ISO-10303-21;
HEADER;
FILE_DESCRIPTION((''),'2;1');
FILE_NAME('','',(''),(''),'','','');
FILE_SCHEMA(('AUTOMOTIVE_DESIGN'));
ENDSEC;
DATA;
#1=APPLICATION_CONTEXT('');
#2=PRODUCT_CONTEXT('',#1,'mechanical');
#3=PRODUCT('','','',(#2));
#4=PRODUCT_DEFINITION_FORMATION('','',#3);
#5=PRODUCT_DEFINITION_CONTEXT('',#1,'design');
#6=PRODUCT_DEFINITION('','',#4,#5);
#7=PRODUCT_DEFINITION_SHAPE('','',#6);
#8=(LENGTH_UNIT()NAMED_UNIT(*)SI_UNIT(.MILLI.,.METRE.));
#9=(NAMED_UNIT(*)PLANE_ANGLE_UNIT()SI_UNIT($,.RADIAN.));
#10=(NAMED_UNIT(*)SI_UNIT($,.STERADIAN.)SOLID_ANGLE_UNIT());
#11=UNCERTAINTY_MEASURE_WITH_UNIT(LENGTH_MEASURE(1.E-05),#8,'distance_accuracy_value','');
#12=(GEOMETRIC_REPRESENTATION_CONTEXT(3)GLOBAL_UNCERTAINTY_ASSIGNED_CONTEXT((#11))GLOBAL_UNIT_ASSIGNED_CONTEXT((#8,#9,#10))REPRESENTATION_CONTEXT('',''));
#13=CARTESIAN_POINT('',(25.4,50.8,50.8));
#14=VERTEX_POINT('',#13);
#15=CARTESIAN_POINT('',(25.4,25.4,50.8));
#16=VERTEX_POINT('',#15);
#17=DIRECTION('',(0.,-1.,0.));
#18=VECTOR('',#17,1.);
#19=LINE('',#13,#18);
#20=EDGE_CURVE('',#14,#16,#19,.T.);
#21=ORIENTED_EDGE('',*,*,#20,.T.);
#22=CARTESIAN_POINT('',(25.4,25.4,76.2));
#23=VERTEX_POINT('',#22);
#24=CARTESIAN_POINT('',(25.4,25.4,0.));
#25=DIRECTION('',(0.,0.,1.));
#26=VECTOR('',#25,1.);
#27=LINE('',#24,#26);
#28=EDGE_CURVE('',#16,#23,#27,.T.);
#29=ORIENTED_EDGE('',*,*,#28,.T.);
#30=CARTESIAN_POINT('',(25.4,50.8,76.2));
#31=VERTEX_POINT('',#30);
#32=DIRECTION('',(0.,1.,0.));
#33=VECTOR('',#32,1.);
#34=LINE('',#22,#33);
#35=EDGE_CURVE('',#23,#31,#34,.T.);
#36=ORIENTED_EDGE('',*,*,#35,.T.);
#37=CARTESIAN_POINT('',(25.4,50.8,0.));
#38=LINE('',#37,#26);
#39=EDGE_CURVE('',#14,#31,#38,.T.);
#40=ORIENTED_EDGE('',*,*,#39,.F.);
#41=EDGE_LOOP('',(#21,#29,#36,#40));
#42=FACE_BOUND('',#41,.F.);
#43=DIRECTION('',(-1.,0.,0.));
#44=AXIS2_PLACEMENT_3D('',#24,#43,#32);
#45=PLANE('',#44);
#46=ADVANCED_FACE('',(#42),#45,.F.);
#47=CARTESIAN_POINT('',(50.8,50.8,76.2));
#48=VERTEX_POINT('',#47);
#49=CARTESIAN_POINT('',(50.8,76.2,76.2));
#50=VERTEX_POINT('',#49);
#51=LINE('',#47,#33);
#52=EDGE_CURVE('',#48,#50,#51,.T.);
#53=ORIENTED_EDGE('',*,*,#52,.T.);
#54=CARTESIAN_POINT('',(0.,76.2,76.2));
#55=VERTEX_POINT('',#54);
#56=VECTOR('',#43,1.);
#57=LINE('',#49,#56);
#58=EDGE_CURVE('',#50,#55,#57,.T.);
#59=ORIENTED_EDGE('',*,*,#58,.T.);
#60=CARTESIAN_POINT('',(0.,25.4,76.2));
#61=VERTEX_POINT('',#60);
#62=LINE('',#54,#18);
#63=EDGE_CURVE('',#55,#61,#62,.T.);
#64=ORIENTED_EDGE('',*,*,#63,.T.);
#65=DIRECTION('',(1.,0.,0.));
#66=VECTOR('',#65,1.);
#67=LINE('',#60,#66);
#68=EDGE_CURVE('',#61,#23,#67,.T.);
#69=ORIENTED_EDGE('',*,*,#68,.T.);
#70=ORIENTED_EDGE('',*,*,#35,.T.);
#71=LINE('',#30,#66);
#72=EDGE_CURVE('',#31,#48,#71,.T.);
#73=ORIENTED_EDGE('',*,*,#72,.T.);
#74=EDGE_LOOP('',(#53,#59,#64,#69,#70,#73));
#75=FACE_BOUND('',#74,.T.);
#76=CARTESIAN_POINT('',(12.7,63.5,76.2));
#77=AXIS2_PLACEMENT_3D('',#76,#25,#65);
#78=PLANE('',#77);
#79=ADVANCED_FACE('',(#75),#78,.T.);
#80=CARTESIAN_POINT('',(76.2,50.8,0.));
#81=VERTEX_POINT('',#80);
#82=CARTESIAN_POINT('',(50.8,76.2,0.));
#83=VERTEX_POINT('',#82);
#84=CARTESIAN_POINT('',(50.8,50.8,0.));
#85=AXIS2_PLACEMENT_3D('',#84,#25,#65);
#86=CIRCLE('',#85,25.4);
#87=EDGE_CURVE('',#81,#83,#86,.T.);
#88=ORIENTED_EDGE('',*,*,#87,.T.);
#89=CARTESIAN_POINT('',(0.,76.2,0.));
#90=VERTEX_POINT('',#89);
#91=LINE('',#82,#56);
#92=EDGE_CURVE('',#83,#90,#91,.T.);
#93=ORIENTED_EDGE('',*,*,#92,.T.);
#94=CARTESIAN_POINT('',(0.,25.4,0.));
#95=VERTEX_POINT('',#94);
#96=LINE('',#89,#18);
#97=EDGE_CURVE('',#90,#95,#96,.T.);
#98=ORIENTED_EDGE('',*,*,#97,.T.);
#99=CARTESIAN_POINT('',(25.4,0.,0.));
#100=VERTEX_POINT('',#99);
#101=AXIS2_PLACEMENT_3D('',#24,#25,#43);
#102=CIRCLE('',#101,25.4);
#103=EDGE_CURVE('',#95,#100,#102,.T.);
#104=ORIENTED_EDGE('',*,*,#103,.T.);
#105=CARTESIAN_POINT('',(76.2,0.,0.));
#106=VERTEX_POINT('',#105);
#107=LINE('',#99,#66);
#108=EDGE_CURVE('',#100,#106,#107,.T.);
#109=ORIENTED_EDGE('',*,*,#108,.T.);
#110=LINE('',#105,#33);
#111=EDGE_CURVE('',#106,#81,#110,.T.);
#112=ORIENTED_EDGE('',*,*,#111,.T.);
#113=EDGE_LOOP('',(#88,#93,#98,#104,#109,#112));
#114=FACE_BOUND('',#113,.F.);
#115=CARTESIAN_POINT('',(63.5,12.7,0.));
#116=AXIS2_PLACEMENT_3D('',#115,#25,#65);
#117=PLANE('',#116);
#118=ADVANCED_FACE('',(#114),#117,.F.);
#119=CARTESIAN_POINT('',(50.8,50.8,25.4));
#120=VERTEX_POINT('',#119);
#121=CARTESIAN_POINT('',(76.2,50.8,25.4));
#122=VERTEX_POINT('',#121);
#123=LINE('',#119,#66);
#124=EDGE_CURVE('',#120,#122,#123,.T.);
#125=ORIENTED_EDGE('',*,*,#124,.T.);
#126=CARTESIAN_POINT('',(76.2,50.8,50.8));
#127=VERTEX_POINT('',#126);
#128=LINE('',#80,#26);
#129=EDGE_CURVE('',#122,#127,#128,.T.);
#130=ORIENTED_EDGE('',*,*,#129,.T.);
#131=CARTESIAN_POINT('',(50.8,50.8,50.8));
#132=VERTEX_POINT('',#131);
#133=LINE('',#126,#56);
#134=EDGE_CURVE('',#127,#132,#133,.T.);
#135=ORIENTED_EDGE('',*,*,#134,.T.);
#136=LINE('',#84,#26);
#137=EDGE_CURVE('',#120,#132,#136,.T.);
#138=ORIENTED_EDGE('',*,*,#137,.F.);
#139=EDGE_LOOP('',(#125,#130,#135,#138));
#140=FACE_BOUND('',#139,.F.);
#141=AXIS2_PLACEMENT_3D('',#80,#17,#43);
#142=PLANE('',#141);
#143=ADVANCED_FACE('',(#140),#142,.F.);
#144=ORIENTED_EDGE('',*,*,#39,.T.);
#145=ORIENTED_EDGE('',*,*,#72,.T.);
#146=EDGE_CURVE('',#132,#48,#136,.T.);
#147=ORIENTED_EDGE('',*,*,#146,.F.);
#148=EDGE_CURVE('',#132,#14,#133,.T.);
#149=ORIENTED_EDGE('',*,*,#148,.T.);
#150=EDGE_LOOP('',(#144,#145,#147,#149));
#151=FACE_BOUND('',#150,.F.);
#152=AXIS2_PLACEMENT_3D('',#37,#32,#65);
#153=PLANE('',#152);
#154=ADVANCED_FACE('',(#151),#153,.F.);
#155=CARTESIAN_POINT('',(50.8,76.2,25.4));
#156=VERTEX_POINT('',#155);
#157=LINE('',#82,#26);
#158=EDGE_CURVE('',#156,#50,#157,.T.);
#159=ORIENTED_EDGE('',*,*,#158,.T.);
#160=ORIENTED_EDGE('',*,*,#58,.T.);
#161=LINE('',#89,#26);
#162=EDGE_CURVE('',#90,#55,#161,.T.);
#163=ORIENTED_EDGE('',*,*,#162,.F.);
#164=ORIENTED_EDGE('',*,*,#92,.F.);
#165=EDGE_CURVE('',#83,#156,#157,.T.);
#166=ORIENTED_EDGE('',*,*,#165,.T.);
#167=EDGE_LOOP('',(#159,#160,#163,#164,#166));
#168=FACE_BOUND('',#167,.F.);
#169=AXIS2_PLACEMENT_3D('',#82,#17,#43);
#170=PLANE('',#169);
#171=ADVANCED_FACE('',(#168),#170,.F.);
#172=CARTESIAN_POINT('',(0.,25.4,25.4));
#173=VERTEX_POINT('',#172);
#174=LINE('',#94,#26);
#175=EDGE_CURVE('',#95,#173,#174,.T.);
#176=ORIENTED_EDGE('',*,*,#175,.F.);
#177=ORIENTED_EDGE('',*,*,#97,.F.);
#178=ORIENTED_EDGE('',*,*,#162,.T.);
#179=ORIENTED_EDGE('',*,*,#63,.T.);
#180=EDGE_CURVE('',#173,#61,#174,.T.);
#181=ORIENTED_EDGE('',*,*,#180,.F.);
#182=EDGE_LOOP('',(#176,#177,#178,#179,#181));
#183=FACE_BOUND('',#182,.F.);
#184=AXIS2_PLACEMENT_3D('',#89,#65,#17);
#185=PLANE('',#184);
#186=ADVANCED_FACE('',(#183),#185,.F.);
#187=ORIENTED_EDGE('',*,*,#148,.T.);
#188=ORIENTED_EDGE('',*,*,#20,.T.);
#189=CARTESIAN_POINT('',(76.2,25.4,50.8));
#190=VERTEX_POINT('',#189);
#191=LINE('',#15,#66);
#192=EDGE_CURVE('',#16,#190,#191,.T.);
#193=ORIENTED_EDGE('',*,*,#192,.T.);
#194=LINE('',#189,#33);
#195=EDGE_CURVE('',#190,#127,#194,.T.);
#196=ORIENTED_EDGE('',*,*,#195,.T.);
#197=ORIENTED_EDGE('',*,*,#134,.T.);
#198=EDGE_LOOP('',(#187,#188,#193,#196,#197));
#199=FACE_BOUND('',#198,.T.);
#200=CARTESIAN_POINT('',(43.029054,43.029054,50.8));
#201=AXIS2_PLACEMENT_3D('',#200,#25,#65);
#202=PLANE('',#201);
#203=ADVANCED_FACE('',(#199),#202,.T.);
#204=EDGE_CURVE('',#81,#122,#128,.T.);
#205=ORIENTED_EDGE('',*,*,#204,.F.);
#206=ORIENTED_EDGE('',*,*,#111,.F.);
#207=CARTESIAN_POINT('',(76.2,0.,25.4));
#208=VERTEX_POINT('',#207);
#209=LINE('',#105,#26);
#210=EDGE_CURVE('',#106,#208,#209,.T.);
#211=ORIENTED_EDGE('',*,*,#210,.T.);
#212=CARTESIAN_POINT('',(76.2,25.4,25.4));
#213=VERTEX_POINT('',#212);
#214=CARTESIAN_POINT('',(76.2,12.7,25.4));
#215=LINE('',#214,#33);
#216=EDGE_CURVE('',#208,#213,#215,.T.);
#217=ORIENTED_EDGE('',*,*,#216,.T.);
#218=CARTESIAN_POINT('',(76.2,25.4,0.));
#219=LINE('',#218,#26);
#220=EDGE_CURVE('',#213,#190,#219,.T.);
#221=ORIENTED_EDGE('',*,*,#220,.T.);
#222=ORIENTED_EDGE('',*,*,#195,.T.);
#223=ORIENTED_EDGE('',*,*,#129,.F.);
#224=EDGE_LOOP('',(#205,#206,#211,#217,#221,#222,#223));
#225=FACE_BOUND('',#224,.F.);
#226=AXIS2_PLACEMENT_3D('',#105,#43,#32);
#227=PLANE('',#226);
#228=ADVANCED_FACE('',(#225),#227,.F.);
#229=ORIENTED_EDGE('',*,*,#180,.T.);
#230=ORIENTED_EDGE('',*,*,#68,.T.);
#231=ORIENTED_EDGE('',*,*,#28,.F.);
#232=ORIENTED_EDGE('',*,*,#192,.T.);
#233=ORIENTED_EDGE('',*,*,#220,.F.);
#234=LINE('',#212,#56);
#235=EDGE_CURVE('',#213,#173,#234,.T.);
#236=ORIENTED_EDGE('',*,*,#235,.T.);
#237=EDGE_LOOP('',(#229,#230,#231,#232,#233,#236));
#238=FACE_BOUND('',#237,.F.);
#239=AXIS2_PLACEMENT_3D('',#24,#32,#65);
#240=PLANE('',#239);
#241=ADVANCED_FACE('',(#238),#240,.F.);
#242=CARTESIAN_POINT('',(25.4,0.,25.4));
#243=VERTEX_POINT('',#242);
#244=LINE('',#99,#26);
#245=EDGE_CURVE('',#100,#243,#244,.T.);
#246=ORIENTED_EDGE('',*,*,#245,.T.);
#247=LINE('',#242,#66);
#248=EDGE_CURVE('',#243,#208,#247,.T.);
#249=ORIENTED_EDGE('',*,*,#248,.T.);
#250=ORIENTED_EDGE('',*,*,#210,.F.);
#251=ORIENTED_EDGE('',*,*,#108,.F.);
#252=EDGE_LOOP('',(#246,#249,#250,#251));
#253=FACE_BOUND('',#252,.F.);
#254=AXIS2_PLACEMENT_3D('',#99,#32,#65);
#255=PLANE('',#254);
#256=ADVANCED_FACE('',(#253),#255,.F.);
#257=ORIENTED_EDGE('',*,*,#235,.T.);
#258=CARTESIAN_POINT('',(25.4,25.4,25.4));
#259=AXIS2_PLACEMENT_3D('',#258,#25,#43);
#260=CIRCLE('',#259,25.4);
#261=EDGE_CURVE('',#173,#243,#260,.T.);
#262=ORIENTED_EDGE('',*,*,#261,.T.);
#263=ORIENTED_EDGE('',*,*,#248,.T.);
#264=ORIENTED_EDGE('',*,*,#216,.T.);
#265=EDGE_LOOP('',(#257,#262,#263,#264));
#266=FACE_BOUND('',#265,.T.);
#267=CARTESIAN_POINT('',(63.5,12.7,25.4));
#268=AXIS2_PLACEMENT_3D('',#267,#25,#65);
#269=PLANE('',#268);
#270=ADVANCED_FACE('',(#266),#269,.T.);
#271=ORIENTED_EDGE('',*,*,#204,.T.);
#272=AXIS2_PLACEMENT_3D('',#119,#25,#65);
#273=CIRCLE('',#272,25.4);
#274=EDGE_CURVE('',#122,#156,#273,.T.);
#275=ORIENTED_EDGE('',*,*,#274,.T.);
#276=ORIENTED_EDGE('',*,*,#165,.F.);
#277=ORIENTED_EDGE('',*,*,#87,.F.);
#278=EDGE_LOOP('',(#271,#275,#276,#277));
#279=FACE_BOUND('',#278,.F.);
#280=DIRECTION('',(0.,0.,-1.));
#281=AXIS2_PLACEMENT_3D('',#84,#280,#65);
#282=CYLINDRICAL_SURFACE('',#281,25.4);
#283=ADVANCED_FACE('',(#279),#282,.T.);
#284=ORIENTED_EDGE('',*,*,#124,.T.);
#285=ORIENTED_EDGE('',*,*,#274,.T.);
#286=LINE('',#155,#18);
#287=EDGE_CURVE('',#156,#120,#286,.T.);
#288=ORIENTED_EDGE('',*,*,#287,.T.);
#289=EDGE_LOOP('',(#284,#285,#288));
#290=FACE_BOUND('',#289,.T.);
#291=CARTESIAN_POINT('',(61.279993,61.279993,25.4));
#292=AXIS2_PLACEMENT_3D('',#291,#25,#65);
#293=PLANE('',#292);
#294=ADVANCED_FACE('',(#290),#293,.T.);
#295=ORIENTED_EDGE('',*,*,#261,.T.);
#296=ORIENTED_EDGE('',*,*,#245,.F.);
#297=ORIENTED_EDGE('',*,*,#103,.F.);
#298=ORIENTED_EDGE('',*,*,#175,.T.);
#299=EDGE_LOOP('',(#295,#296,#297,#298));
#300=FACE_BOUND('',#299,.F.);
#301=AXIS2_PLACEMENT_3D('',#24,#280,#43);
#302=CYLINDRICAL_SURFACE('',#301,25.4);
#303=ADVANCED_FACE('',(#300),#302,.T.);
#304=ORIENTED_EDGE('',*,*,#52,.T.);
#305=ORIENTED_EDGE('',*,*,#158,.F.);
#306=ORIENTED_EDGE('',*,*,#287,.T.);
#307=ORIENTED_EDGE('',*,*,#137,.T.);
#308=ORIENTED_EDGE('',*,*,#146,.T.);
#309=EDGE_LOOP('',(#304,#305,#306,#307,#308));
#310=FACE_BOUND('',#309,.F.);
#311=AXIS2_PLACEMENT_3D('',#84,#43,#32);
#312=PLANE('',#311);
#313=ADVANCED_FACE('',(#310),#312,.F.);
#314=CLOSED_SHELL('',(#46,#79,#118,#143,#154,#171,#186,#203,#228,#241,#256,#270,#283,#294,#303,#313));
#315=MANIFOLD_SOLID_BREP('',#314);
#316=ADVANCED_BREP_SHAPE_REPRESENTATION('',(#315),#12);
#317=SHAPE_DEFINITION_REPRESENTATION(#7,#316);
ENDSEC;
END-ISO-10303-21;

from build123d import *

# Parameters (mm, degrees)
F0_W     = 25.4
F0_H     = 25.4
F1_DEPTH = 76.2
F2_DEPTH = 50.8
F3_DEPTH = 25.4


with BuildPart() as f1:
    # F0 (on Top) → F1 (new body)
    with BuildSketch(Plane.XY):
        with Locations((12.7, 63.5)):
            Rectangle(F0_W, F0_H)
        with BuildLine():
            ThreePointArc((25.4, 50.8), (7.4394877579, 43.3605122421), (0, 25.4))
            Line((0, 25.4), (25.4, 25.4))
            Line((25.4, 25.4), (25.4, 50.8))
        make_face()
        with BuildLine():
            Line((0, 50.8), (0, 25.4))
            ThreePointArc((0, 25.4), (7.4394877579, 43.3605122421), (25.4, 50.8))
            Line((25.4, 50.8), (0, 50.8))
        make_face()
        with BuildLine():
            ThreePointArc((50.8, 76.2), (32.8394877579, 68.7605122421), (25.4, 50.8))
            Line((25.4, 50.8), (50.8, 50.8))
            Line((50.8, 50.8), (50.8, 76.2))
        make_face()
        with BuildLine():
            Line((25.4, 76.2), (25.4, 50.8))
            ThreePointArc((25.4, 50.8), (32.8394877579, 68.7605122421), (50.8, 76.2))
            Line((50.8, 76.2), (25.4, 76.2))
        make_face()
    extrude(amount=F1_DEPTH)

    # F0 (on Top) → F2 (join)
    with BuildSketch(Plane.XY):
        with BuildLine():
            ThreePointArc((25.4, 50.8), (43.3605122421, 43.3605122421), (50.8, 25.4))
            Line((50.8, 25.4), (50.8, 50.8))
            Line((50.8, 50.8), (25.4, 50.8))
        make_face()
        with BuildLine():
            ThreePointArc((25.4, 50.8), (32.8394877579, 32.8394877579), (50.8, 25.4))
            ThreePointArc((50.8, 25.4), (43.3605122421, 43.3605122421), (25.4, 50.8))
        make_face()
        with BuildLine():
            Line((25.4, 50.8), (25.4, 25.4))
            Line((25.4, 25.4), (50.8, 25.4))
            ThreePointArc((50.8, 25.4), (32.8394877579, 32.8394877579), (25.4, 50.8))
        make_face()
        with BuildLine():
            Line((50.8, 50.8), (50.8, 25.4))
            ThreePointArc((50.8, 25.4), (68.7605122421, 32.8394877579), (76.2, 50.8))
            Line((76.2, 50.8), (50.8, 50.8))
        make_face()
        with BuildLine():
            ThreePointArc((76.2, 50.8), (68.7605122421, 32.8394877579), (50.8, 25.4))
            Line((50.8, 25.4), (76.2, 25.4))
            Line((76.2, 25.4), (76.2, 50.8))
        make_face()
    extrude(amount=F2_DEPTH)

    # F0 (on Top) → F3 (join)
    with BuildSketch(Plane.XY):
        with Locations((63.5, 12.7)):
            Rectangle(F0_W, F0_H)
        with BuildLine():
            Line((25.4, 25.4), (25.4, 0))
            ThreePointArc((25.4, 0), (43.3605122421, 7.4394877579), (50.8, 25.4))
            Line((50.8, 25.4), (25.4, 25.4))
        make_face()
        with BuildLine():
            ThreePointArc((50.8, 25.4), (43.3605122421, 7.4394877579), (25.4, 0))
            Line((25.4, 0), (50.8, 0))
            Line((50.8, 0), (50.8, 25.4))
        make_face()
        with BuildLine():
            Line((50.8, 76.2), (50.8, 50.8))
            Line((50.8, 50.8), (76.2, 50.8))
            ThreePointArc((76.2, 50.8), (68.7605122421, 68.7605122421), (50.8, 76.2))
        make_face()
        with BuildLine():
            ThreePointArc((0, 25.4), (7.4394877579, 7.4394877579), (25.4, 0))
            Line((25.4, 0), (25.4, 25.4))
            Line((25.4, 25.4), (0, 25.4))
        make_face()
    extrude(amount=F3_DEPTH)


solid = f1.part
